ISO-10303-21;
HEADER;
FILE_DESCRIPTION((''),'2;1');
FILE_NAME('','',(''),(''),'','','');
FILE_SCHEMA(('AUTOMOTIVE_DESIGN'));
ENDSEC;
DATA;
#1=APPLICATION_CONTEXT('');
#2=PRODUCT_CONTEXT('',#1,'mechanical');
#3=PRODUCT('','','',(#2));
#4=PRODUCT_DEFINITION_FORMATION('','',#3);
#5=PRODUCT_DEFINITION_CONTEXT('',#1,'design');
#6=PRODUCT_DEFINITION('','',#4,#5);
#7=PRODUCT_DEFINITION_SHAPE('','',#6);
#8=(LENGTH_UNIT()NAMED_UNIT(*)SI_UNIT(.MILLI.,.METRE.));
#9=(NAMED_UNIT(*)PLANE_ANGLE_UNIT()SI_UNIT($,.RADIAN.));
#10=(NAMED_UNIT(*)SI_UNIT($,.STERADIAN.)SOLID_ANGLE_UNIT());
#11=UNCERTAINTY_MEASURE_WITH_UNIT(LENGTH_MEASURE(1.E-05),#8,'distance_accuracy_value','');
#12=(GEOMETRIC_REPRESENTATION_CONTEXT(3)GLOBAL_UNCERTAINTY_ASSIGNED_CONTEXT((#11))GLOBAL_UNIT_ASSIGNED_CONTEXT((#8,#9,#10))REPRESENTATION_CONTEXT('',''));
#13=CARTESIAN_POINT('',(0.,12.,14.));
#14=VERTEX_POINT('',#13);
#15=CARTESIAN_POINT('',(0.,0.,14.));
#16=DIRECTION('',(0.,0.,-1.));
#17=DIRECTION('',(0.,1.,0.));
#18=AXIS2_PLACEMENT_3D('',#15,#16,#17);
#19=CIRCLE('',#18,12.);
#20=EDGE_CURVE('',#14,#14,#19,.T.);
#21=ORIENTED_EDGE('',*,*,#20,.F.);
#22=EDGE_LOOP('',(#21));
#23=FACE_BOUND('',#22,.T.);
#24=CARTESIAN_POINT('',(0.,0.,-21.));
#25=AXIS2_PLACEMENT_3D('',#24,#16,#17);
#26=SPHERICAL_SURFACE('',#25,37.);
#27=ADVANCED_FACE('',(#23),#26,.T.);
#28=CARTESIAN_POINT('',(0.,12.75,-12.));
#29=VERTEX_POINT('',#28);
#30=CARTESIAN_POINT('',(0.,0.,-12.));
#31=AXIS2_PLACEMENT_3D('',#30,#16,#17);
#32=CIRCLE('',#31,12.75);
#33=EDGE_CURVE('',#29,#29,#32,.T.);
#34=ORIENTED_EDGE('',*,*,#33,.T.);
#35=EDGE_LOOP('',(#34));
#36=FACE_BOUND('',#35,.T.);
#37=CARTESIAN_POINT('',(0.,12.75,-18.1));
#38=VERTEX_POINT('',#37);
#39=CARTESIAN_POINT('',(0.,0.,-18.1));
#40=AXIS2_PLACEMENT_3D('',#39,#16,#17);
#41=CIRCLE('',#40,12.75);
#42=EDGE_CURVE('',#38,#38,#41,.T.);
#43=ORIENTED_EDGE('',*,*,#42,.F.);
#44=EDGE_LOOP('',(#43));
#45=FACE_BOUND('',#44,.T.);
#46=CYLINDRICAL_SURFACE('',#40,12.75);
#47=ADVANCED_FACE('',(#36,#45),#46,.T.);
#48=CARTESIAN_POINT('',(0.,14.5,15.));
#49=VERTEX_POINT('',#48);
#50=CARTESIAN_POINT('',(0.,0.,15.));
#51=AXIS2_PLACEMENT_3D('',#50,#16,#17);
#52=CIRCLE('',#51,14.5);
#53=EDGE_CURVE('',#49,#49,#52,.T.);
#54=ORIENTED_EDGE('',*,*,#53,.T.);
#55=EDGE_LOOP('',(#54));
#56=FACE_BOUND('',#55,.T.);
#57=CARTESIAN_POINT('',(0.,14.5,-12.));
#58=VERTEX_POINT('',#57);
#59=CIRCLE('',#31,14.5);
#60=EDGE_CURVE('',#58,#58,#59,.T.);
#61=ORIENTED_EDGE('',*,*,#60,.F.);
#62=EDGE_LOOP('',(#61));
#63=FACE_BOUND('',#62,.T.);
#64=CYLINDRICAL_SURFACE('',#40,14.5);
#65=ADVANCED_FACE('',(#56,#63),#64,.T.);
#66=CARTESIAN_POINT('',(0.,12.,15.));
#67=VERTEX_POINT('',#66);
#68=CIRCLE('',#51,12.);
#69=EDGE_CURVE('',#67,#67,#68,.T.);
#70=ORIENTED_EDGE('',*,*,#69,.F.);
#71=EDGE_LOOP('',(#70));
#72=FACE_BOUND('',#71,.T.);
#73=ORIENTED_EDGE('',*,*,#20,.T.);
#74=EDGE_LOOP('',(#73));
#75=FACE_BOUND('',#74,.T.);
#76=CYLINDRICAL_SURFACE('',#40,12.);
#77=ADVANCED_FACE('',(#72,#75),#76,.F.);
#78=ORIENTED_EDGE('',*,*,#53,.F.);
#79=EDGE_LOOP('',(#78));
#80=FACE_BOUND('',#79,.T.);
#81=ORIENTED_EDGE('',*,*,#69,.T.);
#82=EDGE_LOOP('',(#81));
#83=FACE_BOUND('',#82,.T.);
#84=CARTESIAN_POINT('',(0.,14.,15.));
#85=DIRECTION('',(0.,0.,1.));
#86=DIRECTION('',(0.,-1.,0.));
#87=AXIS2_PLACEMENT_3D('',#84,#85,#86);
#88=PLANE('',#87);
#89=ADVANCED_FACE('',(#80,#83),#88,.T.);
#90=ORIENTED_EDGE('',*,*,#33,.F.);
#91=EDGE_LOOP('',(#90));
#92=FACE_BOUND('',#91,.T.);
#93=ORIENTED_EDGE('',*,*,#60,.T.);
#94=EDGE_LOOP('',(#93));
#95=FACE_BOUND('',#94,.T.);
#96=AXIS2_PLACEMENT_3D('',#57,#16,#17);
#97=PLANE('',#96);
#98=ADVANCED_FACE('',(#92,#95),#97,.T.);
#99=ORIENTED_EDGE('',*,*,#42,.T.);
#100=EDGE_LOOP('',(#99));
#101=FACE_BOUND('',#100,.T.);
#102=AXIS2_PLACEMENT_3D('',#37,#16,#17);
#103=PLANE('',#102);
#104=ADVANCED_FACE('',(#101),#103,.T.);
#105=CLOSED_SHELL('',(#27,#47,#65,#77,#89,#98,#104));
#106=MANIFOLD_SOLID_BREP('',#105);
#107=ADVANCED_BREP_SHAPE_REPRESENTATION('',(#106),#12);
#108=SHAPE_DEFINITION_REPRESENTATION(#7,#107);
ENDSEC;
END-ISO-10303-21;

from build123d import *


with BuildPart() as part:
    # Sketch1 → Revolve1 (revolve)
    with BuildSketch(Plane(origin=(0, 0, 0), x_dir=(0, 0, -1), z_dir=(1, 0, 0))):
        with BuildLine():
            Line((-15, 14), (-15, 12))
            Line((-15, 12), (-14, 12))
            ThreePointArc((-14, 12), (-15.496575182, 6.08276253), (-16, 0))
            Line((-16, 0), (18.1, 0))
            Line((18.1, 0), (18.1, 12.75))
            Line((18.1, 12.75), (12, 12.75))
            Line((12, 12.75), (12, 14.5))
            Line((12, 14.5), (-15, 14.5))
            Line((-15, 14.5), (-15, 14))
        make_face()
    revolve(axis=Axis((0, 0, -18.1), (0, 0, 1)))


solid = part.part
